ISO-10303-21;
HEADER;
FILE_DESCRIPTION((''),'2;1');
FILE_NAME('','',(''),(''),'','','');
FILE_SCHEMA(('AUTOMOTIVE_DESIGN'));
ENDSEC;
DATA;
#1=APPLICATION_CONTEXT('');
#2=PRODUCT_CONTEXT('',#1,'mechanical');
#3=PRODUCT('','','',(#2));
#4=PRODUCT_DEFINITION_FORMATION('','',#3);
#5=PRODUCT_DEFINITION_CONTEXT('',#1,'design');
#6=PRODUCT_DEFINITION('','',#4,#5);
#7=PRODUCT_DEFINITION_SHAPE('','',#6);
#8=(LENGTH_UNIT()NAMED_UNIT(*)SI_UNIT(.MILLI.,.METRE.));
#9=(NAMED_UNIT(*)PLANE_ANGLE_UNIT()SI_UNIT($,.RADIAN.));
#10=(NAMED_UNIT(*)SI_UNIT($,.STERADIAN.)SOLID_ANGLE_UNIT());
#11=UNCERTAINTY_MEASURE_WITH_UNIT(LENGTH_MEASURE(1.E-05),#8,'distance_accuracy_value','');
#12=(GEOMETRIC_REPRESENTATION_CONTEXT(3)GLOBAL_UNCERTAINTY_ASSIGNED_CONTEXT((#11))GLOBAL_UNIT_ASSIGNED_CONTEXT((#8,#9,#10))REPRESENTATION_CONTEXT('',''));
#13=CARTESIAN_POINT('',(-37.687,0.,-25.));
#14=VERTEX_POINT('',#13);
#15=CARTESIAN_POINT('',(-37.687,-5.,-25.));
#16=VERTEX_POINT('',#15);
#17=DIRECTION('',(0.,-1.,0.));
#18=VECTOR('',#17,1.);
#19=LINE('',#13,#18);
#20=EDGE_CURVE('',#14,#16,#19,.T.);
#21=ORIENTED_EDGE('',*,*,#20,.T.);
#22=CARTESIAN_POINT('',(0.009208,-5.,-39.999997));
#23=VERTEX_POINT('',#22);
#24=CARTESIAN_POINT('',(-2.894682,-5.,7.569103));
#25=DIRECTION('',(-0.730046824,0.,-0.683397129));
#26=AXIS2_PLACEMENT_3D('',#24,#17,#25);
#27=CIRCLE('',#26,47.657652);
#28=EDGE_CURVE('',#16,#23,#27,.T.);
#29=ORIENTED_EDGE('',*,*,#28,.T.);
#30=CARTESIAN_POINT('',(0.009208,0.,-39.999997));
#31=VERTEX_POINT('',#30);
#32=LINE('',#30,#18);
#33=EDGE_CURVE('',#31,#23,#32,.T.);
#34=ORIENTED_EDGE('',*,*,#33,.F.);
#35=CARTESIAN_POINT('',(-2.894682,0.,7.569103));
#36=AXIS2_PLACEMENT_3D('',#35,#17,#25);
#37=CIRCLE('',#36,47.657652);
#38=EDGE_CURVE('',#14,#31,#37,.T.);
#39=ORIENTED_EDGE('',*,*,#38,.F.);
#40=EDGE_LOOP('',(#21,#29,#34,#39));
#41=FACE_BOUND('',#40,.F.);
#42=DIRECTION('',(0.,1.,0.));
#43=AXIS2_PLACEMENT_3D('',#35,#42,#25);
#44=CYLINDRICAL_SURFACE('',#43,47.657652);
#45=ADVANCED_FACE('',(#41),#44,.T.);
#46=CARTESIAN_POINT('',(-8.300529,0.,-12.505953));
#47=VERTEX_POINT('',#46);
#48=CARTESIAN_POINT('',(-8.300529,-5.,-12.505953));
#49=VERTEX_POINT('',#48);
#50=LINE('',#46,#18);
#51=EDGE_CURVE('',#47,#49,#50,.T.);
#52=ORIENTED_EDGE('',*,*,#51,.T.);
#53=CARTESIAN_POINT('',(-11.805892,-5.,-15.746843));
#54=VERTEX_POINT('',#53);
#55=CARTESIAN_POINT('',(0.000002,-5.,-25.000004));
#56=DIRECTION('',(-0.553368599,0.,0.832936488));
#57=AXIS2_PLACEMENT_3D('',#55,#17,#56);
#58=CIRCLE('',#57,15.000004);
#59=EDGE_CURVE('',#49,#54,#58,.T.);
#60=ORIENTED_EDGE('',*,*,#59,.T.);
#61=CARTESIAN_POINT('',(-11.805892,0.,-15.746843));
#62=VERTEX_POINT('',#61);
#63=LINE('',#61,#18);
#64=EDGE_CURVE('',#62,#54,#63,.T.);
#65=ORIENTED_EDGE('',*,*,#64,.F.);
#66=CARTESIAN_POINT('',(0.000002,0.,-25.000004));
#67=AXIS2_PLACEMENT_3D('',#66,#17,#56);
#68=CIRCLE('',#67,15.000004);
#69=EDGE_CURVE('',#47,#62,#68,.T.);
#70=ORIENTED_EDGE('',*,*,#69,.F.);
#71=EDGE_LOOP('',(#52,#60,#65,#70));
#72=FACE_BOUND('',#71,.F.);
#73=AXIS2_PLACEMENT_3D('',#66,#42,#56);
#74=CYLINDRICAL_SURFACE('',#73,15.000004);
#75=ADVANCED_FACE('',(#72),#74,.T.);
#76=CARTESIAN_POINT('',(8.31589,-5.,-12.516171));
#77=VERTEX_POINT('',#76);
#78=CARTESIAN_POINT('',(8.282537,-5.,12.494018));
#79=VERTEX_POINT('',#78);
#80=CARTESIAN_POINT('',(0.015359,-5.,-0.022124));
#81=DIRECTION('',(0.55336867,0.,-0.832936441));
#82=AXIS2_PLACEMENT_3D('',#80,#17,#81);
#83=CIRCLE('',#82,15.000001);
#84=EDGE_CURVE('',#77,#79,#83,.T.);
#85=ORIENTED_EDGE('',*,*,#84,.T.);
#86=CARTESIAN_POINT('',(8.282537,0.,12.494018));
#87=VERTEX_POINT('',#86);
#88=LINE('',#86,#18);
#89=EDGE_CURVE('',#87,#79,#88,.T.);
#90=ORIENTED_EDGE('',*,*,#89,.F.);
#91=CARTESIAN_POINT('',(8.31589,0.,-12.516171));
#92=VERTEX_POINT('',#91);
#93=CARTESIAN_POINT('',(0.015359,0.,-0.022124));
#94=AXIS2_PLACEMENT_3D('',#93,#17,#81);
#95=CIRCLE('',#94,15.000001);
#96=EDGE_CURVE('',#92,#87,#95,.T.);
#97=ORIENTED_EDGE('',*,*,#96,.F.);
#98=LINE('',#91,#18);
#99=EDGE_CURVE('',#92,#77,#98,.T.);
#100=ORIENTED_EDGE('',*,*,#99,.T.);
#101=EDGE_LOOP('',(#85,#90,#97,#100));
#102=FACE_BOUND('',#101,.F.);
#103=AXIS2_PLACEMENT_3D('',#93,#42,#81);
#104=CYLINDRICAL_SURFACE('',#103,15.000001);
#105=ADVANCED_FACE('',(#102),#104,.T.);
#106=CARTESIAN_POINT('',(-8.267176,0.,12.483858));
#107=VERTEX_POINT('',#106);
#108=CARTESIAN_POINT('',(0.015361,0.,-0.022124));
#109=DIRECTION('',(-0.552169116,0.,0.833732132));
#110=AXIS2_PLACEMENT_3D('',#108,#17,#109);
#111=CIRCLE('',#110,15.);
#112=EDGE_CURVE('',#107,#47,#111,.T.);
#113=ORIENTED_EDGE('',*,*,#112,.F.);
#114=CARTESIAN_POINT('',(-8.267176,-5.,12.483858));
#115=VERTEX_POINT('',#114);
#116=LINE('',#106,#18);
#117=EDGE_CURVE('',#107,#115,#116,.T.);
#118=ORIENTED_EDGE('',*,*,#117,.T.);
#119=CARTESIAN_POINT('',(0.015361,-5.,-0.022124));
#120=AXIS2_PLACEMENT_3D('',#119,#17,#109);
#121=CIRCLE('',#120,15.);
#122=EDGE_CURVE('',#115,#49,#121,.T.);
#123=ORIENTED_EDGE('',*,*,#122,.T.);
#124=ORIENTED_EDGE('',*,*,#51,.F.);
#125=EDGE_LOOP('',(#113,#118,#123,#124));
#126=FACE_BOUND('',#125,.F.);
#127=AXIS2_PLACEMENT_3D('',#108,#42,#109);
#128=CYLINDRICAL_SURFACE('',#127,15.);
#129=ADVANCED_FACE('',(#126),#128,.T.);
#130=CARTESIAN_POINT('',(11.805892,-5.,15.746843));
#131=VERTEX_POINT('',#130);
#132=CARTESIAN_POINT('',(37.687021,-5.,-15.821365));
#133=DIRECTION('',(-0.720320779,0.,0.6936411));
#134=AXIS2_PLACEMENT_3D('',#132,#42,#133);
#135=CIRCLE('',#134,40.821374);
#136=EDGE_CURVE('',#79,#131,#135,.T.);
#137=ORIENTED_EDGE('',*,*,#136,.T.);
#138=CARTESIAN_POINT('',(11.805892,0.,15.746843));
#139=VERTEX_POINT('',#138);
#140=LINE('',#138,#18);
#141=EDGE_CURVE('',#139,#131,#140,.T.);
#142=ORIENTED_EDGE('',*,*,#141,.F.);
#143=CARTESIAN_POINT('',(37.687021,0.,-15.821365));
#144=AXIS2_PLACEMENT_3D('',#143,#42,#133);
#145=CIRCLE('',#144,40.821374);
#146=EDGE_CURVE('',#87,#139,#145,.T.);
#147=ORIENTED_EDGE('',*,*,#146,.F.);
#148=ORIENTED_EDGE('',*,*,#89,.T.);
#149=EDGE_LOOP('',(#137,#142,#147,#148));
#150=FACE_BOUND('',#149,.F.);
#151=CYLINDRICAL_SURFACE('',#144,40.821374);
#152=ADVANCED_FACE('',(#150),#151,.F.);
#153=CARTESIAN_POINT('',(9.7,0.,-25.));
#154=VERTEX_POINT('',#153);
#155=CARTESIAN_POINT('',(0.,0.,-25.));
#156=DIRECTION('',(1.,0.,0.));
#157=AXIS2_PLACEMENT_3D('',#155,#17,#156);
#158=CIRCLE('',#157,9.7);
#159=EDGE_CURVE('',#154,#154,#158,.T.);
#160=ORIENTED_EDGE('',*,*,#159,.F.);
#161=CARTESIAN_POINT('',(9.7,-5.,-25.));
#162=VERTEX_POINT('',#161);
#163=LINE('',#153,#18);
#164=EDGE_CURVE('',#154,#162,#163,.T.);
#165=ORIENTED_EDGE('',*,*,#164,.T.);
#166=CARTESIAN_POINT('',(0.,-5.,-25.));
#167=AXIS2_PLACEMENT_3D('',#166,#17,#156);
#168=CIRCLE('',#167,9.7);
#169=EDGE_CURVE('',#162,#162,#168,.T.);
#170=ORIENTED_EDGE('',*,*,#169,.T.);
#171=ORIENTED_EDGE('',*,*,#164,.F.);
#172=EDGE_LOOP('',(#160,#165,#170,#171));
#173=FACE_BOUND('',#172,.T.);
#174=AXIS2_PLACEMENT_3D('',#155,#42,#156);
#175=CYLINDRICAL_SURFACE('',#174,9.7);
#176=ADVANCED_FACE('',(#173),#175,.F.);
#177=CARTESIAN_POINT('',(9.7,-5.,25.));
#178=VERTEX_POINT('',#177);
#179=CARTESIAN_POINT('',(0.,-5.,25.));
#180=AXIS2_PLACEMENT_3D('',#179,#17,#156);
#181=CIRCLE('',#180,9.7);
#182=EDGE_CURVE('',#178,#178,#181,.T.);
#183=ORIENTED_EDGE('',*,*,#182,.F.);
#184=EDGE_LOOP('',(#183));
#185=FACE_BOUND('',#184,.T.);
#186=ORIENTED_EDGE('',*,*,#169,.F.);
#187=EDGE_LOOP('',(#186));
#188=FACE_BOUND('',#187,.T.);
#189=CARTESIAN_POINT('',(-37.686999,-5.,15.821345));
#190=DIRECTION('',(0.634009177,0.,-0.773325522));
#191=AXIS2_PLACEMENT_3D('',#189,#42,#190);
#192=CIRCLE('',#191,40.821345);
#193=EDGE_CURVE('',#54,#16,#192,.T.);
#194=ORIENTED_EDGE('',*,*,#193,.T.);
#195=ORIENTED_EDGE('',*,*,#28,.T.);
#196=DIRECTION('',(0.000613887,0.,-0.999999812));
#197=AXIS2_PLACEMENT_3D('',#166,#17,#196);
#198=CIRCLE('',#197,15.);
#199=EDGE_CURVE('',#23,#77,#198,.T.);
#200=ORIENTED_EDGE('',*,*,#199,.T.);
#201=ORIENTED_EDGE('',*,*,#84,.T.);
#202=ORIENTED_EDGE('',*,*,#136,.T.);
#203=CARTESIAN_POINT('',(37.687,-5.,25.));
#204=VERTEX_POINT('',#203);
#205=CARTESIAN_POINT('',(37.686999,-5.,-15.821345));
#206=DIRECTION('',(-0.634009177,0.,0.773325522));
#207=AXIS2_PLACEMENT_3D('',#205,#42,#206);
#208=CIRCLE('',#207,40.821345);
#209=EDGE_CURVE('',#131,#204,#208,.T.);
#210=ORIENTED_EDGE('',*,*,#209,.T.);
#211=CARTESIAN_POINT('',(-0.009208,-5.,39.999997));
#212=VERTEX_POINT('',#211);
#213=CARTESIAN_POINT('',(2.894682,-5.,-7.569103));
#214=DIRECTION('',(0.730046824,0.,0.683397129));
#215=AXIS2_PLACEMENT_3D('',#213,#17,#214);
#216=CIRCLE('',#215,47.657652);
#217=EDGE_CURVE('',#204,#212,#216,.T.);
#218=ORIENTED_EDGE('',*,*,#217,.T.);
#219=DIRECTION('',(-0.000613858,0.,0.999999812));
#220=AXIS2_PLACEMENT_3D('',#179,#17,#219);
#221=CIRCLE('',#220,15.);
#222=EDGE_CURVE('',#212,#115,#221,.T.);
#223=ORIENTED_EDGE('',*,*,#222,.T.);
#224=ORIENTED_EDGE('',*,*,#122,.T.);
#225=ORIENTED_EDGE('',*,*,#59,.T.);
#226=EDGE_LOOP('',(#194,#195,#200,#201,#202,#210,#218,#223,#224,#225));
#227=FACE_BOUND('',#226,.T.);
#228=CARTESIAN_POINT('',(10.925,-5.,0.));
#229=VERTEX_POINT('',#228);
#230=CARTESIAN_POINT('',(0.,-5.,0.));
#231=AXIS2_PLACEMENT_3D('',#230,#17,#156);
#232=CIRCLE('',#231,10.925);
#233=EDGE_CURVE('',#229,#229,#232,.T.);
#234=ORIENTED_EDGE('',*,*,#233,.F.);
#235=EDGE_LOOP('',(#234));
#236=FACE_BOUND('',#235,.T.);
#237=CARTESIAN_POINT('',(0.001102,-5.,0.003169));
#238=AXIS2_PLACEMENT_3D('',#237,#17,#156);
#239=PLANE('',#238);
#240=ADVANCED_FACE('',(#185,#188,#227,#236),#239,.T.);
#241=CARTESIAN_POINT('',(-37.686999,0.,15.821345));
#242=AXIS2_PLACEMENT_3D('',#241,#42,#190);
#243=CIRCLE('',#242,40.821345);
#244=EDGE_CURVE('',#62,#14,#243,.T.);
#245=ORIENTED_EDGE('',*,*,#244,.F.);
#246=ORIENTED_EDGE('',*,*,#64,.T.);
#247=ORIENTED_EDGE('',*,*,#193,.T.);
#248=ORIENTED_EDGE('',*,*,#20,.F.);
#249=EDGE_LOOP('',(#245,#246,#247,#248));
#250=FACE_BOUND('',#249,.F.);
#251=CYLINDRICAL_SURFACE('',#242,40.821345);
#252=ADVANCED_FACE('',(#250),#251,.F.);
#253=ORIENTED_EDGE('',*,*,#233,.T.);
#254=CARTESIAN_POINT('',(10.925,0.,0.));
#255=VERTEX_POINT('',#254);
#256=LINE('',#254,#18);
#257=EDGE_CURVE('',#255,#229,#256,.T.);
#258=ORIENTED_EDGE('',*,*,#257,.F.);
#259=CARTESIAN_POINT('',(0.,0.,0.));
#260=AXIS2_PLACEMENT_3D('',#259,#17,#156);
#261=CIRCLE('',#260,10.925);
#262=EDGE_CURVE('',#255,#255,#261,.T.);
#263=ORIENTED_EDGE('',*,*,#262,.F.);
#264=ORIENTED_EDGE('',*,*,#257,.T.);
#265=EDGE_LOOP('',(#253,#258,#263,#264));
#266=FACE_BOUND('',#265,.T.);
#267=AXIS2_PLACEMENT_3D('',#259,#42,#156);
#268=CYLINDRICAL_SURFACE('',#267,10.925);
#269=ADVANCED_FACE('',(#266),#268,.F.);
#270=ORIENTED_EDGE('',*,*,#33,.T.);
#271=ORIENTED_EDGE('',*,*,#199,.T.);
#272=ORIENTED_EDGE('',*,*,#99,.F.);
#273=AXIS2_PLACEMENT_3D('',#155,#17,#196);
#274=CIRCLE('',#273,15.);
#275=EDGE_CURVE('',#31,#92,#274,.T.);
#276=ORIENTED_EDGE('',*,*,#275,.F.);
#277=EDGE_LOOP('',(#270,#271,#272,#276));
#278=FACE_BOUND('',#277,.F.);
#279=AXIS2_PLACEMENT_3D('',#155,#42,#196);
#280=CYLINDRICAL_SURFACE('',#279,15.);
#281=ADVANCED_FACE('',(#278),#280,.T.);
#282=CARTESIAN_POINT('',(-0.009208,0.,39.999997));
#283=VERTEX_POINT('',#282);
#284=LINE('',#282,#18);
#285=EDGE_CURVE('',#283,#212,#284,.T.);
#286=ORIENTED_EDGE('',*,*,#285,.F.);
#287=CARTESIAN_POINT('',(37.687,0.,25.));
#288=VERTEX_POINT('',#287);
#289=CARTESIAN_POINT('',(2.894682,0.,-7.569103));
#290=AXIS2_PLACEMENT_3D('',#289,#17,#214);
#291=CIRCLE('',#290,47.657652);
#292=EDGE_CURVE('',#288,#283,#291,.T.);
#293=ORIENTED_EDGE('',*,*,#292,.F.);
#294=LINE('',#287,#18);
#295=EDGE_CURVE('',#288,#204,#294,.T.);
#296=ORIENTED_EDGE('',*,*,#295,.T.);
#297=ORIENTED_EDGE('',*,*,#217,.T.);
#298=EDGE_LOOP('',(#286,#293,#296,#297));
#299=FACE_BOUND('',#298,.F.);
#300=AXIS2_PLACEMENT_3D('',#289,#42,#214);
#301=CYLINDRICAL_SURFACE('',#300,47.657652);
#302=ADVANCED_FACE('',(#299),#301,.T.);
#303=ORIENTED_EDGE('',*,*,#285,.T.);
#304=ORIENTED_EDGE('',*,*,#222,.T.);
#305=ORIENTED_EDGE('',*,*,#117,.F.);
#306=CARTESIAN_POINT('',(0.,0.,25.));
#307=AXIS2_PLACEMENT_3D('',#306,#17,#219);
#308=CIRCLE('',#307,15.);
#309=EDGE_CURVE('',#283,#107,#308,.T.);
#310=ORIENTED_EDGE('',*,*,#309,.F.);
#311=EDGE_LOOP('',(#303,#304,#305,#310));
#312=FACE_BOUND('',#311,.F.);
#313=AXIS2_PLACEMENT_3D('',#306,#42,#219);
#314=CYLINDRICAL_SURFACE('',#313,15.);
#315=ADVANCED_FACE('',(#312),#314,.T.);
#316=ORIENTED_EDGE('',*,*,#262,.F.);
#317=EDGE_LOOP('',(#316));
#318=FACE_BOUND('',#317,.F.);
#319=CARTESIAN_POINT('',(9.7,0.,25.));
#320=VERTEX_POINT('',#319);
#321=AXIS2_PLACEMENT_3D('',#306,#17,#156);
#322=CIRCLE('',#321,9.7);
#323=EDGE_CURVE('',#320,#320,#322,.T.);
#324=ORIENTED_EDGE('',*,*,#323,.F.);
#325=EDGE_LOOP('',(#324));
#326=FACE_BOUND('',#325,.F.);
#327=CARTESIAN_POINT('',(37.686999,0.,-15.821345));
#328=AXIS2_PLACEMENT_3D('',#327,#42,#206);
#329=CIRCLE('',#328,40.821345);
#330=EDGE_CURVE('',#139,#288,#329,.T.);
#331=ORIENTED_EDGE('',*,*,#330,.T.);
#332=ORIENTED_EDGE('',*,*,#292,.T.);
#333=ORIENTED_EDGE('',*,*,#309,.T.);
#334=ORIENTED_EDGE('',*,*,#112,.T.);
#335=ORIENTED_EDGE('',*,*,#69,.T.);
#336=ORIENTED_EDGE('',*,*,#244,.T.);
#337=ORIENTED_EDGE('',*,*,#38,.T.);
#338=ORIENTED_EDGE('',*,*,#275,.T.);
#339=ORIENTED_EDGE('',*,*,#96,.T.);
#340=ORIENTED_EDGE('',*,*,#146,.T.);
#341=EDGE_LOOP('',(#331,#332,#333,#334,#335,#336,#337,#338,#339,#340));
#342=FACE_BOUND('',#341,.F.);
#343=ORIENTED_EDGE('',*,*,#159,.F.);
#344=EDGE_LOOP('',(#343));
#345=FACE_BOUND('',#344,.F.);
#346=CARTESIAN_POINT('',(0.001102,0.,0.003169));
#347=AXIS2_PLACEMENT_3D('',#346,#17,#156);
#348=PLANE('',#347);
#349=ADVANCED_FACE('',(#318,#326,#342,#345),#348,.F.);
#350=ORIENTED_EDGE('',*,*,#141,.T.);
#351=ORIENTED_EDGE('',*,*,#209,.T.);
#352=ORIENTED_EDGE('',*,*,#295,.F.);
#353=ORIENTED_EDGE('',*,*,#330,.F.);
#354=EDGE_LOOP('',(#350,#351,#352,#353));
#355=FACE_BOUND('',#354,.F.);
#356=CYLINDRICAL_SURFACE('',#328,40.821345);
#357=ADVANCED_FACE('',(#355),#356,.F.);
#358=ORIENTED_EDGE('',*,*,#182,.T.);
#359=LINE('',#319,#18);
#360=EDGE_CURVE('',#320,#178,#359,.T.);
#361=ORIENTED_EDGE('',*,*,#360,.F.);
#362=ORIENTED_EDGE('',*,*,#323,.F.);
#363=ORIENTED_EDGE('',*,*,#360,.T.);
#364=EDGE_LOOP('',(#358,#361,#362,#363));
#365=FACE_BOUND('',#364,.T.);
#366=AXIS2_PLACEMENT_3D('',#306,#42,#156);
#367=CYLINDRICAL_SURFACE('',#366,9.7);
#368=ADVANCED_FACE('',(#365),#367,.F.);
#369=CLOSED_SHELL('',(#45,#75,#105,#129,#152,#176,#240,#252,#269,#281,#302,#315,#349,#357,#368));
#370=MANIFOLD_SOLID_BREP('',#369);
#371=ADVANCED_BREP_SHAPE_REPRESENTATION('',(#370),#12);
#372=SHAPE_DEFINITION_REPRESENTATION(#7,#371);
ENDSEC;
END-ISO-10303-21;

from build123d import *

# Parameters (mm, degrees)
F0_R     = 9.7
F0_R_2   = 10.925
F1_DEPTH = 5


with BuildPart() as f1:
    # F0 (on Front) → F1 (new body)
    with BuildSketch(Plane.XZ):
        with BuildLine():
            ThreePointArc((8.31589, -12.516171), (15.015347, -0.00212), (8.282537, 12.494018))
            ThreePointArc((8.282537, 12.494018), (9.996409, 14.172211), (11.805892, 15.746843))
            ThreePointArc((11.805892, 15.746843), (23.94425, 22.617165), (37.687, 25))
            ThreePointArc((37.687, 25), (20.514782, 36.711637), (-0.009208, 39.999997))
            ThreePointArc((-0.009208, 39.999997), (-14.366945, 29.311716), (-8.267176, 12.483858))
            ThreePointArc((-8.267176, 12.483858), (-14.984626, -0.002104), (-8.300529, -12.505953))
            ThreePointArc((-8.300529, -12.505953), (-10.18297, -13.986049), (-11.805892, -15.746843))
            ThreePointArc((-11.805892, -15.746843), (-23.94425, -22.617165), (-37.687, -25))
            ThreePointArc((-37.687, -25), (-20.514782, -36.711637), (0.009208, -39.999997))
            ThreePointArc((0.009208, -39.999997), (14.358516, -29.339702), (8.31589, -12.516171))
        make_face()
        with Locations((0, -25)):
            Circle(F0_R, mode=Mode.SUBTRACT)
        Circle(F0_R_2, mode=Mode.SUBTRACT)
        with Locations((0, 25)):
            Circle(F0_R, mode=Mode.SUBTRACT)
    extrude(amount=F1_DEPTH)


solid = f1.part
